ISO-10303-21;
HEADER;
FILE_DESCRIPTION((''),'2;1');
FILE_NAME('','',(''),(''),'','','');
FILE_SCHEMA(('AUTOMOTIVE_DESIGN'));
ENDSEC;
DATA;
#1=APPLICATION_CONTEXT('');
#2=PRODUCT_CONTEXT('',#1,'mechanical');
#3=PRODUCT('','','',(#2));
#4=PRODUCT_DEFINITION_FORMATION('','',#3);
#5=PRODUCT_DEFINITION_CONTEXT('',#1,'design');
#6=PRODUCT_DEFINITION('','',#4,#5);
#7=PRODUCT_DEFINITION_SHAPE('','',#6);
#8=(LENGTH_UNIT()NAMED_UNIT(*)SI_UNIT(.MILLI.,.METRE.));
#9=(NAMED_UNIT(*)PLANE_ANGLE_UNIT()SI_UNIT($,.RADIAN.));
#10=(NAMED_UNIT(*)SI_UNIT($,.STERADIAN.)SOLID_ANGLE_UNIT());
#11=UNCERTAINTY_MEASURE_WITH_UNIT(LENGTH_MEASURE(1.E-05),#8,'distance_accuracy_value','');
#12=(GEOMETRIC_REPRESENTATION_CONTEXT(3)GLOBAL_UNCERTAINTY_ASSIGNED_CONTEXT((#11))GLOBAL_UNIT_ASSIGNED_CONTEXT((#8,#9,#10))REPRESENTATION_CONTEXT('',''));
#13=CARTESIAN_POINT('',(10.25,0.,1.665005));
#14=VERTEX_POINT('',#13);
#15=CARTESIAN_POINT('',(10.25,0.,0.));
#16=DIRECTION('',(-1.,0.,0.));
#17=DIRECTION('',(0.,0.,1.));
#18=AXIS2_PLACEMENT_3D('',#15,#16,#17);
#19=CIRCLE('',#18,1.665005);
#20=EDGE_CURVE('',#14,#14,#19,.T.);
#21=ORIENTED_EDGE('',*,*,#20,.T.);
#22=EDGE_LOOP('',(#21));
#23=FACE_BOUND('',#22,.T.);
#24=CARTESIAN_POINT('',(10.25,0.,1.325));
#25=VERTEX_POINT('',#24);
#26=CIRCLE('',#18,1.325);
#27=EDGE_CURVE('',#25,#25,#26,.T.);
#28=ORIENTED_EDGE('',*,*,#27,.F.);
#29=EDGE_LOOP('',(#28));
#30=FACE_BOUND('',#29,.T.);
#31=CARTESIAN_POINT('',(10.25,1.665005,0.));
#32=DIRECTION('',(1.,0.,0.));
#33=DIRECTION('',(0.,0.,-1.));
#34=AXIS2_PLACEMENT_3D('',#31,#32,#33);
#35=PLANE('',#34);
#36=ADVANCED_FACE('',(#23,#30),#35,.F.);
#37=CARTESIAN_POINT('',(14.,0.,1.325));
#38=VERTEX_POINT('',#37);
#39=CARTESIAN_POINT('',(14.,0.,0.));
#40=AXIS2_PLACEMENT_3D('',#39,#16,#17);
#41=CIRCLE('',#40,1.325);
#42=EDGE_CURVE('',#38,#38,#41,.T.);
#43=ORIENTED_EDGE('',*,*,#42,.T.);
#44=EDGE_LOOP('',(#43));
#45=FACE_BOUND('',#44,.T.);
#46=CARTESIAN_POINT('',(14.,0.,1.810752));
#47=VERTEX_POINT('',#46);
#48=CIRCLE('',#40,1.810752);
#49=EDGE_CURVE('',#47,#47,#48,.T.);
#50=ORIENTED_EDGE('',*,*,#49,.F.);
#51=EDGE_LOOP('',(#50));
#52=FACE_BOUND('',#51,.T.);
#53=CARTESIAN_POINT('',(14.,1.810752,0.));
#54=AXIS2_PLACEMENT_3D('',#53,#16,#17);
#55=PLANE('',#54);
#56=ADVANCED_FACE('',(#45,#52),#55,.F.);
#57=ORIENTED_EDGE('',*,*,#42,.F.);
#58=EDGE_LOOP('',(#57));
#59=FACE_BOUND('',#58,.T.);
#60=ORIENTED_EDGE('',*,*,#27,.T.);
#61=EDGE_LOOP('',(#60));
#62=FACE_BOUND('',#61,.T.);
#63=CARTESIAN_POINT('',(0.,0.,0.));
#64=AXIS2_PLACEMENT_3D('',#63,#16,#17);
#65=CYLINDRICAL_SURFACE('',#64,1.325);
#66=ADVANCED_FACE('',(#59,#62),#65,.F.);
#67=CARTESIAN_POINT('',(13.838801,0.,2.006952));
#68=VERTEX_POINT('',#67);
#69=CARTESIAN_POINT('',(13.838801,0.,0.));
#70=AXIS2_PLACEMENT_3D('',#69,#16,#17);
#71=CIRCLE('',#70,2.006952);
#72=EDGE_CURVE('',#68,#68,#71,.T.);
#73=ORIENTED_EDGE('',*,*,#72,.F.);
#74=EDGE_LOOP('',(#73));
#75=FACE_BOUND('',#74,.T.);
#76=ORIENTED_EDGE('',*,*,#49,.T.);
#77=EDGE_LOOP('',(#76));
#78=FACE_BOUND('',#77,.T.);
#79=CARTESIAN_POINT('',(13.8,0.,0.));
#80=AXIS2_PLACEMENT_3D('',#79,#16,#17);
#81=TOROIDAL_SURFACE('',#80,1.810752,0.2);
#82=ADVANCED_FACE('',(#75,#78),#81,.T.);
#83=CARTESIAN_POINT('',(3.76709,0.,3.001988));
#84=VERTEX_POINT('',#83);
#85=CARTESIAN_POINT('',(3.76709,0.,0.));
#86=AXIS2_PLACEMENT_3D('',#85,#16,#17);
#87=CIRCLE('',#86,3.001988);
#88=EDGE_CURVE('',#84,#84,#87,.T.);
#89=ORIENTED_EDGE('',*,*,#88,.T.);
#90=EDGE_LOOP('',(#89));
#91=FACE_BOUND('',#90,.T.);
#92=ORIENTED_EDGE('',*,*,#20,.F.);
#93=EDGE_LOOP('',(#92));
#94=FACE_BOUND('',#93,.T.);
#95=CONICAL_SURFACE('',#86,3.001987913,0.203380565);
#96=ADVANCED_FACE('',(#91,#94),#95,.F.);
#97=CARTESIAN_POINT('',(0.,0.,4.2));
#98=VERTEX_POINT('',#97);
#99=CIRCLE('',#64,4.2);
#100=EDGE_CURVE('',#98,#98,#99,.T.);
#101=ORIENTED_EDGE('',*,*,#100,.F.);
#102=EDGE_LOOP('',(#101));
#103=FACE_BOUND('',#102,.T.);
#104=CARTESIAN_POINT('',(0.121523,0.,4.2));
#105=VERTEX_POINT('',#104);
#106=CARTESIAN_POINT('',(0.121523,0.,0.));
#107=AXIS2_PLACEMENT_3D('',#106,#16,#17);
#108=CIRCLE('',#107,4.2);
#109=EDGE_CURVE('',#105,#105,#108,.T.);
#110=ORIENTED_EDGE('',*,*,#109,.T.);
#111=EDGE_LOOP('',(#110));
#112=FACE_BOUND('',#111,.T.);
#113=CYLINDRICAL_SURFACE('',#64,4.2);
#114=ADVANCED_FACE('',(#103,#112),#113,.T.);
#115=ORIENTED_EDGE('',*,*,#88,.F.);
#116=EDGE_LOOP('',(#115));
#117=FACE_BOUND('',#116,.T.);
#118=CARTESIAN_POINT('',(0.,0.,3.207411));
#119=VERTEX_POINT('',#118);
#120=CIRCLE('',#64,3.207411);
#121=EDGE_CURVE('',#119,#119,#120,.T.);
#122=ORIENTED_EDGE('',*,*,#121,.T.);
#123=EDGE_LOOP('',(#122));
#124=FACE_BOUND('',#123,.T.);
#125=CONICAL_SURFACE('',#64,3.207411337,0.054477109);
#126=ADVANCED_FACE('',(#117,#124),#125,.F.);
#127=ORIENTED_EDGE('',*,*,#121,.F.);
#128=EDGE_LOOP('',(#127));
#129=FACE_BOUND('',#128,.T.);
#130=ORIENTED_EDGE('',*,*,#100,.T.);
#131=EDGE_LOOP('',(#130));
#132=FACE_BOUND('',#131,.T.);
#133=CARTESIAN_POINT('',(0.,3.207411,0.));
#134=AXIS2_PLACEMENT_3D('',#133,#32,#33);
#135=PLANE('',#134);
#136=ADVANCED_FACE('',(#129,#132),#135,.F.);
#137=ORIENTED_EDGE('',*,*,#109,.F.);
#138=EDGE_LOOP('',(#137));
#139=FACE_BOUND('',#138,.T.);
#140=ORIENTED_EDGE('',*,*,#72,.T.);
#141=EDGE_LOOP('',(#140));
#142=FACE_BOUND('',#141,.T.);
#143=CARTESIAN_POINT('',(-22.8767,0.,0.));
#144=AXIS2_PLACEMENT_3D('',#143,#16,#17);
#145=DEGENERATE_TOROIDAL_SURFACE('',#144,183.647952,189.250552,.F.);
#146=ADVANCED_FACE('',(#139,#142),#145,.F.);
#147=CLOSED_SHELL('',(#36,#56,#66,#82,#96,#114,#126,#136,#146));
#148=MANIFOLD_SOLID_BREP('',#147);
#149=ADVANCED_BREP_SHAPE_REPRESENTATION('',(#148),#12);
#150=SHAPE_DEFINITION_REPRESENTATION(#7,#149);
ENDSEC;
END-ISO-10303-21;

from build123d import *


with BuildPart() as part:
    # Esboço1 → Revolução1 (revolve)
    with BuildSketch(Plane.XY, mode=Mode.PRIVATE) as revolu_o1_sk:
        with BuildLine():
            Line((10.25, 1.665004796), (10.25, 1.325))
            Line((10.25, 1.325), (14, 1.325))
            Line((14, 1.325), (14, 1.810751674))
            ThreePointArc((14, 1.810751674), (13.954531856, 1.937715864), (13.838800945, 2.006951793))
            ThreePointArc((13.838800945, 2.006951793), (7.000290487, 3.229378761), (0.121522619, 4.2))
            Line((0.121522619, 4.2), (0, 4.2))
            Line((0, 4.2), (0, 3.207411337))
            Line((0, 3.207411337), (3.76708994, 3.001987913))
            Line((3.76708994, 3.001987913), (10.25, 1.665004796))
        make_face()
    revolve(revolu_o1_sk.sketch.rotate(Axis((0, 0, 0), (1, 0, 0)), 90), axis=Axis((0, 0, 0), (1, 0, 0)))


solid = part.part
